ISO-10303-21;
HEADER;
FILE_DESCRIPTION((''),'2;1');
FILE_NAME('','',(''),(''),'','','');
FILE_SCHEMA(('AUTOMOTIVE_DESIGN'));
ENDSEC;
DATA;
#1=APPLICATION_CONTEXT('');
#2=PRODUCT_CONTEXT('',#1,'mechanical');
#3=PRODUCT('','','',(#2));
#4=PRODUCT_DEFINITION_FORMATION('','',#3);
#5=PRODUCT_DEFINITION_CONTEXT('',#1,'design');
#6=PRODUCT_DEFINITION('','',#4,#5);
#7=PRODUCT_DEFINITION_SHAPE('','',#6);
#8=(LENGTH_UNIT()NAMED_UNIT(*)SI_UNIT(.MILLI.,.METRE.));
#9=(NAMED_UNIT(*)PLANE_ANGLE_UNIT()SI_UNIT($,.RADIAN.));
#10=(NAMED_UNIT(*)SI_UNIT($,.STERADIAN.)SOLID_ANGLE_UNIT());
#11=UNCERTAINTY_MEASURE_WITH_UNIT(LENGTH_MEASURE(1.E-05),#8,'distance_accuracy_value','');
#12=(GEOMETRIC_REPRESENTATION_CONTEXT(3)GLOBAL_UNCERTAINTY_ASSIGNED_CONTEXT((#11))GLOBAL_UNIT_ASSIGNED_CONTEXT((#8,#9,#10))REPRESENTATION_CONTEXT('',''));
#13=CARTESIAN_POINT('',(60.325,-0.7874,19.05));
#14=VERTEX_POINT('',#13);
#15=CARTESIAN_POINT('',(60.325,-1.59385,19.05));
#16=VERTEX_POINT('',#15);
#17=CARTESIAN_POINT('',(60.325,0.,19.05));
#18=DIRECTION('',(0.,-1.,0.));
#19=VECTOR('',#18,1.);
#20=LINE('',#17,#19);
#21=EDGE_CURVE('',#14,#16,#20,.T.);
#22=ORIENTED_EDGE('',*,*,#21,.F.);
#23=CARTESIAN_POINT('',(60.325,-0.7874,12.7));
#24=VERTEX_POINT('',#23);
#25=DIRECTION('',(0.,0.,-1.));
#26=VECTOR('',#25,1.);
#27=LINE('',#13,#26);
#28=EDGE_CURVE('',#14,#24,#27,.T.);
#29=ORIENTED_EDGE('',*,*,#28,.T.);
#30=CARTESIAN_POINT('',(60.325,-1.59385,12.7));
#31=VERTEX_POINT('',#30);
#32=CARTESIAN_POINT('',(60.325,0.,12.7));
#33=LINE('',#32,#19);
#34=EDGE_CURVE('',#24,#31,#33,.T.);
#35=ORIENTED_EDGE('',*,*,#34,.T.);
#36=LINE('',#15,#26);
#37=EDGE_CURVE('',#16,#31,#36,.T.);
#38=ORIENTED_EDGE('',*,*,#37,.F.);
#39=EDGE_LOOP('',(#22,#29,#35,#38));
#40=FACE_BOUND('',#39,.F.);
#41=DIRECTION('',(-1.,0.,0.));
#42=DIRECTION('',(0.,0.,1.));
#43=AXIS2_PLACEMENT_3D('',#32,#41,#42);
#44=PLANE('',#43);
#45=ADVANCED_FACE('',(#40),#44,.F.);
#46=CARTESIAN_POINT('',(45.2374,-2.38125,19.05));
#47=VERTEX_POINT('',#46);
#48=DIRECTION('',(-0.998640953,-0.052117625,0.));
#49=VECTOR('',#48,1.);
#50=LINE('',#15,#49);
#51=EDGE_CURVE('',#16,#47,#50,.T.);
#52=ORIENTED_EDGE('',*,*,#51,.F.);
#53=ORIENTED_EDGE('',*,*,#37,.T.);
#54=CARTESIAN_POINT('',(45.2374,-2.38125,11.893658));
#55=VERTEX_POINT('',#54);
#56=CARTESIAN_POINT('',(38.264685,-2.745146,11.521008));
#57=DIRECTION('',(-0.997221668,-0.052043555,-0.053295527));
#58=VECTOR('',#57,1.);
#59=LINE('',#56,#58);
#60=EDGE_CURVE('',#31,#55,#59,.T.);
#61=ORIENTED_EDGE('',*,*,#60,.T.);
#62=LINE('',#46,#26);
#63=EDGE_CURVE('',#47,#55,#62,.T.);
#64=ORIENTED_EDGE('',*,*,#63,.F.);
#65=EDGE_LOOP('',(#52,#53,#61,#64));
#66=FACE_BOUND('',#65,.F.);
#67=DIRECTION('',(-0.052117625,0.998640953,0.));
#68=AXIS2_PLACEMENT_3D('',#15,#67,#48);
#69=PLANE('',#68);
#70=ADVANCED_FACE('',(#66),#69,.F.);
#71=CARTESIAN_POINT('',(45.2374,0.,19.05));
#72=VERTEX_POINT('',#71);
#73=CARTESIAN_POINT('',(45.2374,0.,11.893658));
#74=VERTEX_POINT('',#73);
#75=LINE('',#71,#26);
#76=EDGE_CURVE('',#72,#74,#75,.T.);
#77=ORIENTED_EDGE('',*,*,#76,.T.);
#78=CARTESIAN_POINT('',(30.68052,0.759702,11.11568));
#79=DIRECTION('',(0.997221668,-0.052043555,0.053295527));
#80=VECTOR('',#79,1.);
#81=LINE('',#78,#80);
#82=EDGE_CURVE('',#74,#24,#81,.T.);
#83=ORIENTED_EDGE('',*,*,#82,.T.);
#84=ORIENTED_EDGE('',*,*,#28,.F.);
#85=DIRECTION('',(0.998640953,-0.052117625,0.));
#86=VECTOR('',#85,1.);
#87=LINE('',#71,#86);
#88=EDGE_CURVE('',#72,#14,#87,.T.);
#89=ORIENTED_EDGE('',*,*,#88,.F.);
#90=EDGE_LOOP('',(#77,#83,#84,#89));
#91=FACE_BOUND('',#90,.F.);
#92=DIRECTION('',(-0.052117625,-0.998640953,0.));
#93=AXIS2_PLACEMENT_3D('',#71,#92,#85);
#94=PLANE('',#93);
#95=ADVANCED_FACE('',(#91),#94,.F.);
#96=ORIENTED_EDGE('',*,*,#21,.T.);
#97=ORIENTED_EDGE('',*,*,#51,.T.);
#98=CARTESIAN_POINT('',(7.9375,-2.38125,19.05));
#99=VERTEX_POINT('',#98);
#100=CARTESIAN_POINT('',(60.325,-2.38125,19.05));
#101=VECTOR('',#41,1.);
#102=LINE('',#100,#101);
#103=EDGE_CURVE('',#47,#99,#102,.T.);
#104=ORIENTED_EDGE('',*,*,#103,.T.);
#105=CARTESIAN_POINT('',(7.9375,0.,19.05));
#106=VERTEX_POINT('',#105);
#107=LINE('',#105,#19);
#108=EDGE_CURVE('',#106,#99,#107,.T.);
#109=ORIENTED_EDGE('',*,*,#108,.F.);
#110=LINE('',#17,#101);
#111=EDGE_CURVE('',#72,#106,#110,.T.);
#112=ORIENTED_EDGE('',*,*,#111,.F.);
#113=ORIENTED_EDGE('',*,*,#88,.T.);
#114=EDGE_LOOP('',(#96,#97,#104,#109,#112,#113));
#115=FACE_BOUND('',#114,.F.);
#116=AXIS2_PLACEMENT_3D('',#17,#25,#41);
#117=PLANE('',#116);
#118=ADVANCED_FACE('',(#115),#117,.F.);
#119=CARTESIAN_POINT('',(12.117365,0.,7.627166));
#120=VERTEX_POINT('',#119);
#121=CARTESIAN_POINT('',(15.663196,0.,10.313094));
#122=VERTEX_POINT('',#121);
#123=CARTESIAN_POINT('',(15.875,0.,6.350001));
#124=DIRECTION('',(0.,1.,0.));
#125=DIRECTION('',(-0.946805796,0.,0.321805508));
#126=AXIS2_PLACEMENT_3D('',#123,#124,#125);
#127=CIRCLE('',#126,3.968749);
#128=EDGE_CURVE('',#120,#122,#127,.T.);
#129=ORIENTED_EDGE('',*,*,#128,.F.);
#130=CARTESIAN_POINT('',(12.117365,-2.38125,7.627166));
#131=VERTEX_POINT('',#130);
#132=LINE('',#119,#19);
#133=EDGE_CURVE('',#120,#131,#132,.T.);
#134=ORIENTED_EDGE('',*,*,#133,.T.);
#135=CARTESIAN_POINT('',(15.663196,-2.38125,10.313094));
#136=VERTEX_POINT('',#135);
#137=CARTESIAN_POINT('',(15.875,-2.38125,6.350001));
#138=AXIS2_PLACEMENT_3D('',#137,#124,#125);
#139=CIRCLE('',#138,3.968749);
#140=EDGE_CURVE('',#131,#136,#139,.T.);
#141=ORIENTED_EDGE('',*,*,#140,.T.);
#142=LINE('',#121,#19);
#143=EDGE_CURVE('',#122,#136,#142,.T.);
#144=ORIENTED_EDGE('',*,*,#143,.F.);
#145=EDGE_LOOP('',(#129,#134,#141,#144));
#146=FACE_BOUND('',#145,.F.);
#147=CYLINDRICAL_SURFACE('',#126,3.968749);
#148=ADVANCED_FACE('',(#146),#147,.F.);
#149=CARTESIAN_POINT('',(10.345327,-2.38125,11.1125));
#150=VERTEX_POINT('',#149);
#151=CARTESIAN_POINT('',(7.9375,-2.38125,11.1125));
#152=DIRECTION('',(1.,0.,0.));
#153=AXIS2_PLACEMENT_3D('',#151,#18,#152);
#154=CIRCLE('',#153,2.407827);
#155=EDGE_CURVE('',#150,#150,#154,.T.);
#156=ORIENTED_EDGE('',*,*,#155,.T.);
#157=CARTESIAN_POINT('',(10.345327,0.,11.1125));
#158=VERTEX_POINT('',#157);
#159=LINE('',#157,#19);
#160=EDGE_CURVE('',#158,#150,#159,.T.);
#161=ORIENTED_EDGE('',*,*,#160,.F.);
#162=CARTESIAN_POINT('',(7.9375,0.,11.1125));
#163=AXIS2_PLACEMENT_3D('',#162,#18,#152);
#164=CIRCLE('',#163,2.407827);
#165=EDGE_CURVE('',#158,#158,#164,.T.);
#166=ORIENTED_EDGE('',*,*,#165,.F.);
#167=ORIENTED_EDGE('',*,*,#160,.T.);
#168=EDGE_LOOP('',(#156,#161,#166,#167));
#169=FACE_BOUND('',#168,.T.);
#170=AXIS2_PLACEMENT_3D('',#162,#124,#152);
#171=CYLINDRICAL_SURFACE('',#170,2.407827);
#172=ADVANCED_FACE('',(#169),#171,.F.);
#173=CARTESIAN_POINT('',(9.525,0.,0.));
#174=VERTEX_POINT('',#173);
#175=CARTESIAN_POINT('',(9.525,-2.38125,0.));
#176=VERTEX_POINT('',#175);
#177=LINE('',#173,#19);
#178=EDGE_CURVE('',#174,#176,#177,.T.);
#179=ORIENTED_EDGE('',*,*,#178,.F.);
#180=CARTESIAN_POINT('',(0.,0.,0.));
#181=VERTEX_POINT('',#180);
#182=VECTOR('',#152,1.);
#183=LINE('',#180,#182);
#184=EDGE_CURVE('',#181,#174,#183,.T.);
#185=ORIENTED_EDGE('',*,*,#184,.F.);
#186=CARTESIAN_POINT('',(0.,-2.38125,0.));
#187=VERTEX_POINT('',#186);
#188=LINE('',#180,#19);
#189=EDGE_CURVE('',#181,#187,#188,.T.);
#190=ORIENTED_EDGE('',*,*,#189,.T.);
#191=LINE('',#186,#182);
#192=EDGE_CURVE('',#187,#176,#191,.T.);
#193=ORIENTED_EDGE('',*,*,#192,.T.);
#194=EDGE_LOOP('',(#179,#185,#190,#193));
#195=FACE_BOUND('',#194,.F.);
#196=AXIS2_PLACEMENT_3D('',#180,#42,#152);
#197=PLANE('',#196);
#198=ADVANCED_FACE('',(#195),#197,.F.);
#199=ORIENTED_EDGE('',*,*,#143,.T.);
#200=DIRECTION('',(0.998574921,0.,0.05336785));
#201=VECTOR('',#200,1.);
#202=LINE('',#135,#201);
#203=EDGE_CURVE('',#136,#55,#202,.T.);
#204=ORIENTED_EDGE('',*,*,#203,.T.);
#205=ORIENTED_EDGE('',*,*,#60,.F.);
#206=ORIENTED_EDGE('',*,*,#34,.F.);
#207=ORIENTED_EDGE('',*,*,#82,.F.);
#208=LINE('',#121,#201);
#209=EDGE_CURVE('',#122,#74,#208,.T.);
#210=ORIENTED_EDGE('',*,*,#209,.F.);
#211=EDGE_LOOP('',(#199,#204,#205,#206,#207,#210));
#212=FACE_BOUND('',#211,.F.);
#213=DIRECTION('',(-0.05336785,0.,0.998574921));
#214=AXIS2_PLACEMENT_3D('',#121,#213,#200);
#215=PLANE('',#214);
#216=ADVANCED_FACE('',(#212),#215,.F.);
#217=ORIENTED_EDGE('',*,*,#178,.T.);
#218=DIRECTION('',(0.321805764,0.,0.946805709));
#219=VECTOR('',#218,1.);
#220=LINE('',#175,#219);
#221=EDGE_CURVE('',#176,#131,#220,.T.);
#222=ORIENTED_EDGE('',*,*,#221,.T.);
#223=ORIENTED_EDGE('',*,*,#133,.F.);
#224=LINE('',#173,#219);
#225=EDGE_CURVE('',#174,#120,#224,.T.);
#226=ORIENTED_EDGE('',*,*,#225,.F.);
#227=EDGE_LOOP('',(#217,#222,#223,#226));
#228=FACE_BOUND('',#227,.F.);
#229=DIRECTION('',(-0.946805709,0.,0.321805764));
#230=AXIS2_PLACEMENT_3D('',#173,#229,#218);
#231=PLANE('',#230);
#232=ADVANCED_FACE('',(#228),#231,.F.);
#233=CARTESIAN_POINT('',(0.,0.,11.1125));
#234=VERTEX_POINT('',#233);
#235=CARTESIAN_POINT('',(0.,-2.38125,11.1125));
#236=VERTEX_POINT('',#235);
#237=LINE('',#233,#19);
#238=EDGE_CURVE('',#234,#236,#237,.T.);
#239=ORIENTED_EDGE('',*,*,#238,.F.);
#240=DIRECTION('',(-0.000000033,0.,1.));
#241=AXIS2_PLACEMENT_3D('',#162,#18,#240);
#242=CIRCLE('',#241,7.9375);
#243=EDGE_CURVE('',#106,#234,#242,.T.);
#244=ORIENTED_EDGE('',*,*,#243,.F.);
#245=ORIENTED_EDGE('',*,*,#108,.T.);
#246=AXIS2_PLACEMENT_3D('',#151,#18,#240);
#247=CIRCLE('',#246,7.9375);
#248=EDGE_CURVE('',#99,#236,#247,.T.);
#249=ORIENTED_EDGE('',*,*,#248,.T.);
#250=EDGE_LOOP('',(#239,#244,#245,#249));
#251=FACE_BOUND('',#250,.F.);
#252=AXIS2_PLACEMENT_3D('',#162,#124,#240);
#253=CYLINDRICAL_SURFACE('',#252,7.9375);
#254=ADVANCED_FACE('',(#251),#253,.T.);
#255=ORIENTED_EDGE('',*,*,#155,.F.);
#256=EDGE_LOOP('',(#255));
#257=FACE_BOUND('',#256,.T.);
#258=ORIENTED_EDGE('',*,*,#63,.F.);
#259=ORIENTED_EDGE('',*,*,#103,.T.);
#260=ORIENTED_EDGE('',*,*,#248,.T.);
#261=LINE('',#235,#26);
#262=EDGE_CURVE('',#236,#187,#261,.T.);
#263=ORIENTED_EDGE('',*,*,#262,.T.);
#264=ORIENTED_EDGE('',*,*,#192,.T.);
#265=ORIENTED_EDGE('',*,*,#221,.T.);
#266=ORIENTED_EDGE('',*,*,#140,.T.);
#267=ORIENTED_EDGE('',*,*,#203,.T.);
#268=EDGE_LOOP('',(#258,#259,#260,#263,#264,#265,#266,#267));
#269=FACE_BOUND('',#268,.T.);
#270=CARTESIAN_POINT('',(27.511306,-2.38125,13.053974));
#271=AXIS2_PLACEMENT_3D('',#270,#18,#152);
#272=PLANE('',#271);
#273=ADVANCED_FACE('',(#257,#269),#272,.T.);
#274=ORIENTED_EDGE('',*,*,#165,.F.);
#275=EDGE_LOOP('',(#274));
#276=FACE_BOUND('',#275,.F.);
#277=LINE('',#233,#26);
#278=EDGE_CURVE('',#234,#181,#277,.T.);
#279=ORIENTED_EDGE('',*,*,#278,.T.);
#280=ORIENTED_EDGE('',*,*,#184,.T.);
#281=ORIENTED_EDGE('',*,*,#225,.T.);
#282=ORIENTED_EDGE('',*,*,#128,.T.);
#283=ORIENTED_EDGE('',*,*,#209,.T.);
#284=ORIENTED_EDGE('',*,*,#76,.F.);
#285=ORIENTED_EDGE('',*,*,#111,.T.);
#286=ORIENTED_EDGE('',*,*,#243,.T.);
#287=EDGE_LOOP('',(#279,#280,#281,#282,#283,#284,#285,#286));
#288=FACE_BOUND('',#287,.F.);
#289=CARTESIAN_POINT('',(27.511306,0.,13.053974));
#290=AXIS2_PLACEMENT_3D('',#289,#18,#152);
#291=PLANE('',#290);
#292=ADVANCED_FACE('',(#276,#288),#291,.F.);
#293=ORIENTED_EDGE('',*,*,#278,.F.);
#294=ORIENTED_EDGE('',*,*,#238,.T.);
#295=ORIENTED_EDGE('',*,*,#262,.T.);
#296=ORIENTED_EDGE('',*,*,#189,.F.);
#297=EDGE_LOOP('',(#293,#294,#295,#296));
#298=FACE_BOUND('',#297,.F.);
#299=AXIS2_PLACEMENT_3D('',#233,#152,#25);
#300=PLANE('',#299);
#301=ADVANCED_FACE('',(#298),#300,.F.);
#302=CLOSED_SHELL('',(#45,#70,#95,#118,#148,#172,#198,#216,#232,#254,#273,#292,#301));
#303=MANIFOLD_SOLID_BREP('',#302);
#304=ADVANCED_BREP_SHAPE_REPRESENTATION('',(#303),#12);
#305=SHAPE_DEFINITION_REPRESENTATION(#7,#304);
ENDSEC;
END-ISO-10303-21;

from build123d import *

# Parameters (mm, degrees)
F0_R     = 2.407827
F1_DEPTH = 2.38125
F3_DEPTH = 25.4


with BuildPart() as f1:
    # F0 (on Front) → F1 (new body)
    with BuildSketch(Plane.XZ):
        with BuildLine():
            Line((0, 11.1125), (0, 0))
            Line((0, 0), (9.525, 0))
            Line((9.525, 0), (12.117365, 7.627166))
            ThreePointArc((12.117365, 7.627166), (13.478615, 9.513592), (15.663196, 10.313094))
            Line((15.663196, 10.313094), (60.325, 12.7))
            Line((60.325, 12.7), (60.325, 19.05))
            Line((60.325, 19.05), (7.9375, 19.05))
            ThreePointArc((7.9375, 19.05), (2.32484, 16.72516), (0, 11.1125))
        make_face()
        with Locations((7.9375, 11.1125)):
            Circle(F0_R, mode=Mode.SUBTRACT)
    extrude(amount=F1_DEPTH)

    # F2 (on face) → F3 (cut)
    with BuildSketch(Plane.XY.offset(19.05)):
        Polygon((60.325, -0.7874), (60.325, 0), (45.2374, 0), align=None)
        Polygon((60.325, -2.38125), (60.325, -1.59385), (45.2374, -2.38125), align=None)
    extrude(amount=-F3_DEPTH, mode=Mode.SUBTRACT)


solid = f1.part
